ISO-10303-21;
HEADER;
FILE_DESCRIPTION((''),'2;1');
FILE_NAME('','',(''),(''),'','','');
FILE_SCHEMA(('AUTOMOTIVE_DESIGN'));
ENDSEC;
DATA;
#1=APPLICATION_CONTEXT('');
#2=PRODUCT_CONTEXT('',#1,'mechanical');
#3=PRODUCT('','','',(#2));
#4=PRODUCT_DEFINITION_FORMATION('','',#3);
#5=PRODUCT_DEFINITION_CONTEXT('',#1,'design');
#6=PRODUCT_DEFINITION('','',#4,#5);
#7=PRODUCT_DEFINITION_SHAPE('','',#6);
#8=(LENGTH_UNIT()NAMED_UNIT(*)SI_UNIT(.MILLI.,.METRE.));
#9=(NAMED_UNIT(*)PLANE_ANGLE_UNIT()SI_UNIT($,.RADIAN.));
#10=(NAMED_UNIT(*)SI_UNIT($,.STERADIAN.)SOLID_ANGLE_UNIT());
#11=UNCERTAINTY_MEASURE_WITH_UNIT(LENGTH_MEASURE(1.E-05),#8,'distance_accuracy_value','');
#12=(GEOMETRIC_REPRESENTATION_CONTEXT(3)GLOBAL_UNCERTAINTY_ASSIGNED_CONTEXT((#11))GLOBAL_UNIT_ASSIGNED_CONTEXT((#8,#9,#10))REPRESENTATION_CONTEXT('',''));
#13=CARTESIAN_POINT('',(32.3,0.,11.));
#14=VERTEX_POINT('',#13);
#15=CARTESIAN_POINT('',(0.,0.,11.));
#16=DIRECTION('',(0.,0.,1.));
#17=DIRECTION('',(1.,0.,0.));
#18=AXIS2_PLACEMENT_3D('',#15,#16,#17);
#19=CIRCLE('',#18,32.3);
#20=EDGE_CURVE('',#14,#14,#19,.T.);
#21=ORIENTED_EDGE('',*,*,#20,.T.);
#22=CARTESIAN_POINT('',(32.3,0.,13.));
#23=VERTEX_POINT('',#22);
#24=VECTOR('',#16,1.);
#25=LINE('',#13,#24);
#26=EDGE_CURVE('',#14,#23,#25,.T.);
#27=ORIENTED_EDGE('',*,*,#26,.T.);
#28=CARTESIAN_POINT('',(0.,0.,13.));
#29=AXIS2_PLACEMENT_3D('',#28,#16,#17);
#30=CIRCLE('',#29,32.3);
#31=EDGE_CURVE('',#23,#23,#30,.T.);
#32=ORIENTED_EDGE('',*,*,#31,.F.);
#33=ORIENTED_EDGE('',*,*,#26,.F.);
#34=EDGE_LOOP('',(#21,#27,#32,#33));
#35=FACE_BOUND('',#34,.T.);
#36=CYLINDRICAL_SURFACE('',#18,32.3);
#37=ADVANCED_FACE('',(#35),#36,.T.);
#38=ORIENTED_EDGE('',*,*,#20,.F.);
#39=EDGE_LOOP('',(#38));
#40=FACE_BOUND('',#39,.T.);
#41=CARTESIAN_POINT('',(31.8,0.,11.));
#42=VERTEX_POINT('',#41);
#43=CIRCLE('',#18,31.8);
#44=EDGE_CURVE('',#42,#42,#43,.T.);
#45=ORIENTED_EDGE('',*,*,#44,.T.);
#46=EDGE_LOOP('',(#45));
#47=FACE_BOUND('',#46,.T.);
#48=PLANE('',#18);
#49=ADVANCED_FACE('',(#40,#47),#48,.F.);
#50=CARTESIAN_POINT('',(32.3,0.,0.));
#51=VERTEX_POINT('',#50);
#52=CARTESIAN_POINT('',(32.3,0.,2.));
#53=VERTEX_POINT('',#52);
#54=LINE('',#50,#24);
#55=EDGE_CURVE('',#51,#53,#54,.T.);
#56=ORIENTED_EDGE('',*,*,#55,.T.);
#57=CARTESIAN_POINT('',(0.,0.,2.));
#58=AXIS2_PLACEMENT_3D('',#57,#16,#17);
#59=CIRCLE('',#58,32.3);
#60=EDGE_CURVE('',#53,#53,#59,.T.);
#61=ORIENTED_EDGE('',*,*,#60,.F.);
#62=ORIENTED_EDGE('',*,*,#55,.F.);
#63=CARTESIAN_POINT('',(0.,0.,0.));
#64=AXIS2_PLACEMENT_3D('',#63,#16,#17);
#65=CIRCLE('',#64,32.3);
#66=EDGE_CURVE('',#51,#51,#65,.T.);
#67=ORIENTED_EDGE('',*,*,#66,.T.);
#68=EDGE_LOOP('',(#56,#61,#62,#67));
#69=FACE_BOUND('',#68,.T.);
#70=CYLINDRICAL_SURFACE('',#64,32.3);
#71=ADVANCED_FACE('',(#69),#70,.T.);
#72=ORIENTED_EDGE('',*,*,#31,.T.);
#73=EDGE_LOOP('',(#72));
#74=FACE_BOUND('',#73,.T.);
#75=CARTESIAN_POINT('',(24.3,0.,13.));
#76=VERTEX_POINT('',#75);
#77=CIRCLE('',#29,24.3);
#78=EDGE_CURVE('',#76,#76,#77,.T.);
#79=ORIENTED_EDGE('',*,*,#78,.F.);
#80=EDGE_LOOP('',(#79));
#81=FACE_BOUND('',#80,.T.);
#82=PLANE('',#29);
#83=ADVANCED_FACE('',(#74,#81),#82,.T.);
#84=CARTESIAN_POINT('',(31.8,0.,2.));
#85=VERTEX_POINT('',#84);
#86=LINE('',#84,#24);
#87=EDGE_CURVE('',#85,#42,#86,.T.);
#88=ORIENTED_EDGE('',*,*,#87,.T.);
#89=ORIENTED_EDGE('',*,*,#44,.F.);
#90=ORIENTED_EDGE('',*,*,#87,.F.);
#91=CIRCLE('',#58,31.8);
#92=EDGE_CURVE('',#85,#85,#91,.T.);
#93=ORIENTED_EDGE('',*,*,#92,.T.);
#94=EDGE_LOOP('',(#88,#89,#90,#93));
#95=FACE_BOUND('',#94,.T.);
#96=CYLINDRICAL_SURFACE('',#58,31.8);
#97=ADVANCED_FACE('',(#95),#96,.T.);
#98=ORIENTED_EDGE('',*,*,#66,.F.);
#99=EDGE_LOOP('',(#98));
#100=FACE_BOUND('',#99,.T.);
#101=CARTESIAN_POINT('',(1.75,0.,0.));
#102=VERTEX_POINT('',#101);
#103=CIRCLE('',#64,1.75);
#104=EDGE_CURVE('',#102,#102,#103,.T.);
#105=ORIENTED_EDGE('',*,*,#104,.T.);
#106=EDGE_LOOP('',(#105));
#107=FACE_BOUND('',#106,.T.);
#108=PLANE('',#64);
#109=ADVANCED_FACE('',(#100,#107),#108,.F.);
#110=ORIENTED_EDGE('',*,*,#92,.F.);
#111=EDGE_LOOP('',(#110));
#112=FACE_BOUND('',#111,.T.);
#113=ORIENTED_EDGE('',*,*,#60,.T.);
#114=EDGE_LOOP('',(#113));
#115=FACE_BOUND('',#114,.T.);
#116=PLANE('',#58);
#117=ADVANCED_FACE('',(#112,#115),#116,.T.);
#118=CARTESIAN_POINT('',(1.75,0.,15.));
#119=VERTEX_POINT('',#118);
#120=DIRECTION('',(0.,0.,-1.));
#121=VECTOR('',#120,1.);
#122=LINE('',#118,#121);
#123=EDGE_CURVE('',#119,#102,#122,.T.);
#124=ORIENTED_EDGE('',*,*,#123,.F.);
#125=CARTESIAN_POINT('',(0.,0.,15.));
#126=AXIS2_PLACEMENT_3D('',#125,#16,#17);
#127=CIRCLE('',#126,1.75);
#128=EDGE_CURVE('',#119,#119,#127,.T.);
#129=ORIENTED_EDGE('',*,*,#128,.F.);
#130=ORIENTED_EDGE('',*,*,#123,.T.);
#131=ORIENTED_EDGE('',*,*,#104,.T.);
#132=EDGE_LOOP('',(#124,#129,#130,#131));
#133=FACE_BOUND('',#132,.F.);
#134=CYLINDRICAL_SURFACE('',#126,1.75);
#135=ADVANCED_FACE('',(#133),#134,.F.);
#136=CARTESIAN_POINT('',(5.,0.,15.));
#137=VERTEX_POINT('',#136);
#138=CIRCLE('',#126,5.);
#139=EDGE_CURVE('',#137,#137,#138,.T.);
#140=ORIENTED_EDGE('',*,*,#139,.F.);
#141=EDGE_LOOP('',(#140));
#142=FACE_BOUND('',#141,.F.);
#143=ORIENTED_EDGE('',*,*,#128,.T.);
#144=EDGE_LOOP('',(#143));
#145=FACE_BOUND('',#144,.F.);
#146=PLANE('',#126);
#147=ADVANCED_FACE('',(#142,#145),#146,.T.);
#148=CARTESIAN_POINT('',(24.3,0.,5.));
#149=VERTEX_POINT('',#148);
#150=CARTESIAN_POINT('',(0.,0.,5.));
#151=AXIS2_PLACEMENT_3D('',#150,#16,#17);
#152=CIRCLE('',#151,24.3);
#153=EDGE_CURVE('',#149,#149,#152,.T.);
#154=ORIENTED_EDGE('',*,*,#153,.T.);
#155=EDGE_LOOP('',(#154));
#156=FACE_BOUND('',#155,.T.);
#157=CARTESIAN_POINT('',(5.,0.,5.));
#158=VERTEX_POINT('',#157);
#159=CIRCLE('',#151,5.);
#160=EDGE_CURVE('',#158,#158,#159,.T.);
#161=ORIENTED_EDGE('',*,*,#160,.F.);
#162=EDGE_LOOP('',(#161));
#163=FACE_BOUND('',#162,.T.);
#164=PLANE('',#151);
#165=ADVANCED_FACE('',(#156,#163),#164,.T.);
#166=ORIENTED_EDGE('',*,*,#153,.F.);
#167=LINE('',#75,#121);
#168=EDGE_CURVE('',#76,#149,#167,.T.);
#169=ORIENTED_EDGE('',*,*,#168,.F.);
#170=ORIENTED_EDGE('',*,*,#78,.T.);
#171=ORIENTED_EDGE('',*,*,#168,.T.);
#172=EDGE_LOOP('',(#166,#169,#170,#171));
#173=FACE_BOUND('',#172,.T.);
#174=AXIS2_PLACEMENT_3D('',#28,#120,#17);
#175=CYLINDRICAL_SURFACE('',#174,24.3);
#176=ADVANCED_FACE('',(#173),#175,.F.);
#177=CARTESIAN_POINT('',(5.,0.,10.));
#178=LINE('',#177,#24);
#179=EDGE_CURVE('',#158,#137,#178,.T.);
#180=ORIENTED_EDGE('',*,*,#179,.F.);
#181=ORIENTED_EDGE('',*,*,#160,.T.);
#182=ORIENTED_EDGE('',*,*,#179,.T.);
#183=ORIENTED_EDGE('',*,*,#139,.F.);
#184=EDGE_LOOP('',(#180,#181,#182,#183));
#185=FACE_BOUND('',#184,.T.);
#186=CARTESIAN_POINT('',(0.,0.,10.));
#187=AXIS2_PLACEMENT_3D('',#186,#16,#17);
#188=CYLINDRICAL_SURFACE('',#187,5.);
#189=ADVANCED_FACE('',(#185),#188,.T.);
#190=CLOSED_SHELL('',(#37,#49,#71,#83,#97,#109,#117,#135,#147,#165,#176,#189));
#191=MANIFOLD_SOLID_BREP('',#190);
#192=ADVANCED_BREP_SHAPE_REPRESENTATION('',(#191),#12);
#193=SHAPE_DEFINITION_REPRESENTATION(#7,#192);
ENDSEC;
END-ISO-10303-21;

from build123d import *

# Parameters (mm, degrees)
F0_W     = 5
F0_H     = 10
F2_R     = 1.75
F3_DEPTH = 80


with BuildPart() as f1:
    # F0 (on Front) → F1 (revolve)
    with BuildSketch(Plane.XZ):
        with Locations((2.5, 10)):
            Rectangle(F0_W, F0_H)
        Polygon((0, 5), (0, 0), (32.3, 0), (32.3, 2), (31.8, 2), (31.8, 11), (32.3, 11), (32.3, 13), (24.3, 13), (24.3, 5), (5, 5), align=None)
    revolve(axis=Axis((0, 0, 10), (0, 0, 1)))

    # F2 (on face) → F3 (cut)
    with BuildSketch(Plane.XY.offset(15)):
        Circle(F2_R)
    extrude(amount=-F3_DEPTH, mode=Mode.SUBTRACT)


solid = f1.part
